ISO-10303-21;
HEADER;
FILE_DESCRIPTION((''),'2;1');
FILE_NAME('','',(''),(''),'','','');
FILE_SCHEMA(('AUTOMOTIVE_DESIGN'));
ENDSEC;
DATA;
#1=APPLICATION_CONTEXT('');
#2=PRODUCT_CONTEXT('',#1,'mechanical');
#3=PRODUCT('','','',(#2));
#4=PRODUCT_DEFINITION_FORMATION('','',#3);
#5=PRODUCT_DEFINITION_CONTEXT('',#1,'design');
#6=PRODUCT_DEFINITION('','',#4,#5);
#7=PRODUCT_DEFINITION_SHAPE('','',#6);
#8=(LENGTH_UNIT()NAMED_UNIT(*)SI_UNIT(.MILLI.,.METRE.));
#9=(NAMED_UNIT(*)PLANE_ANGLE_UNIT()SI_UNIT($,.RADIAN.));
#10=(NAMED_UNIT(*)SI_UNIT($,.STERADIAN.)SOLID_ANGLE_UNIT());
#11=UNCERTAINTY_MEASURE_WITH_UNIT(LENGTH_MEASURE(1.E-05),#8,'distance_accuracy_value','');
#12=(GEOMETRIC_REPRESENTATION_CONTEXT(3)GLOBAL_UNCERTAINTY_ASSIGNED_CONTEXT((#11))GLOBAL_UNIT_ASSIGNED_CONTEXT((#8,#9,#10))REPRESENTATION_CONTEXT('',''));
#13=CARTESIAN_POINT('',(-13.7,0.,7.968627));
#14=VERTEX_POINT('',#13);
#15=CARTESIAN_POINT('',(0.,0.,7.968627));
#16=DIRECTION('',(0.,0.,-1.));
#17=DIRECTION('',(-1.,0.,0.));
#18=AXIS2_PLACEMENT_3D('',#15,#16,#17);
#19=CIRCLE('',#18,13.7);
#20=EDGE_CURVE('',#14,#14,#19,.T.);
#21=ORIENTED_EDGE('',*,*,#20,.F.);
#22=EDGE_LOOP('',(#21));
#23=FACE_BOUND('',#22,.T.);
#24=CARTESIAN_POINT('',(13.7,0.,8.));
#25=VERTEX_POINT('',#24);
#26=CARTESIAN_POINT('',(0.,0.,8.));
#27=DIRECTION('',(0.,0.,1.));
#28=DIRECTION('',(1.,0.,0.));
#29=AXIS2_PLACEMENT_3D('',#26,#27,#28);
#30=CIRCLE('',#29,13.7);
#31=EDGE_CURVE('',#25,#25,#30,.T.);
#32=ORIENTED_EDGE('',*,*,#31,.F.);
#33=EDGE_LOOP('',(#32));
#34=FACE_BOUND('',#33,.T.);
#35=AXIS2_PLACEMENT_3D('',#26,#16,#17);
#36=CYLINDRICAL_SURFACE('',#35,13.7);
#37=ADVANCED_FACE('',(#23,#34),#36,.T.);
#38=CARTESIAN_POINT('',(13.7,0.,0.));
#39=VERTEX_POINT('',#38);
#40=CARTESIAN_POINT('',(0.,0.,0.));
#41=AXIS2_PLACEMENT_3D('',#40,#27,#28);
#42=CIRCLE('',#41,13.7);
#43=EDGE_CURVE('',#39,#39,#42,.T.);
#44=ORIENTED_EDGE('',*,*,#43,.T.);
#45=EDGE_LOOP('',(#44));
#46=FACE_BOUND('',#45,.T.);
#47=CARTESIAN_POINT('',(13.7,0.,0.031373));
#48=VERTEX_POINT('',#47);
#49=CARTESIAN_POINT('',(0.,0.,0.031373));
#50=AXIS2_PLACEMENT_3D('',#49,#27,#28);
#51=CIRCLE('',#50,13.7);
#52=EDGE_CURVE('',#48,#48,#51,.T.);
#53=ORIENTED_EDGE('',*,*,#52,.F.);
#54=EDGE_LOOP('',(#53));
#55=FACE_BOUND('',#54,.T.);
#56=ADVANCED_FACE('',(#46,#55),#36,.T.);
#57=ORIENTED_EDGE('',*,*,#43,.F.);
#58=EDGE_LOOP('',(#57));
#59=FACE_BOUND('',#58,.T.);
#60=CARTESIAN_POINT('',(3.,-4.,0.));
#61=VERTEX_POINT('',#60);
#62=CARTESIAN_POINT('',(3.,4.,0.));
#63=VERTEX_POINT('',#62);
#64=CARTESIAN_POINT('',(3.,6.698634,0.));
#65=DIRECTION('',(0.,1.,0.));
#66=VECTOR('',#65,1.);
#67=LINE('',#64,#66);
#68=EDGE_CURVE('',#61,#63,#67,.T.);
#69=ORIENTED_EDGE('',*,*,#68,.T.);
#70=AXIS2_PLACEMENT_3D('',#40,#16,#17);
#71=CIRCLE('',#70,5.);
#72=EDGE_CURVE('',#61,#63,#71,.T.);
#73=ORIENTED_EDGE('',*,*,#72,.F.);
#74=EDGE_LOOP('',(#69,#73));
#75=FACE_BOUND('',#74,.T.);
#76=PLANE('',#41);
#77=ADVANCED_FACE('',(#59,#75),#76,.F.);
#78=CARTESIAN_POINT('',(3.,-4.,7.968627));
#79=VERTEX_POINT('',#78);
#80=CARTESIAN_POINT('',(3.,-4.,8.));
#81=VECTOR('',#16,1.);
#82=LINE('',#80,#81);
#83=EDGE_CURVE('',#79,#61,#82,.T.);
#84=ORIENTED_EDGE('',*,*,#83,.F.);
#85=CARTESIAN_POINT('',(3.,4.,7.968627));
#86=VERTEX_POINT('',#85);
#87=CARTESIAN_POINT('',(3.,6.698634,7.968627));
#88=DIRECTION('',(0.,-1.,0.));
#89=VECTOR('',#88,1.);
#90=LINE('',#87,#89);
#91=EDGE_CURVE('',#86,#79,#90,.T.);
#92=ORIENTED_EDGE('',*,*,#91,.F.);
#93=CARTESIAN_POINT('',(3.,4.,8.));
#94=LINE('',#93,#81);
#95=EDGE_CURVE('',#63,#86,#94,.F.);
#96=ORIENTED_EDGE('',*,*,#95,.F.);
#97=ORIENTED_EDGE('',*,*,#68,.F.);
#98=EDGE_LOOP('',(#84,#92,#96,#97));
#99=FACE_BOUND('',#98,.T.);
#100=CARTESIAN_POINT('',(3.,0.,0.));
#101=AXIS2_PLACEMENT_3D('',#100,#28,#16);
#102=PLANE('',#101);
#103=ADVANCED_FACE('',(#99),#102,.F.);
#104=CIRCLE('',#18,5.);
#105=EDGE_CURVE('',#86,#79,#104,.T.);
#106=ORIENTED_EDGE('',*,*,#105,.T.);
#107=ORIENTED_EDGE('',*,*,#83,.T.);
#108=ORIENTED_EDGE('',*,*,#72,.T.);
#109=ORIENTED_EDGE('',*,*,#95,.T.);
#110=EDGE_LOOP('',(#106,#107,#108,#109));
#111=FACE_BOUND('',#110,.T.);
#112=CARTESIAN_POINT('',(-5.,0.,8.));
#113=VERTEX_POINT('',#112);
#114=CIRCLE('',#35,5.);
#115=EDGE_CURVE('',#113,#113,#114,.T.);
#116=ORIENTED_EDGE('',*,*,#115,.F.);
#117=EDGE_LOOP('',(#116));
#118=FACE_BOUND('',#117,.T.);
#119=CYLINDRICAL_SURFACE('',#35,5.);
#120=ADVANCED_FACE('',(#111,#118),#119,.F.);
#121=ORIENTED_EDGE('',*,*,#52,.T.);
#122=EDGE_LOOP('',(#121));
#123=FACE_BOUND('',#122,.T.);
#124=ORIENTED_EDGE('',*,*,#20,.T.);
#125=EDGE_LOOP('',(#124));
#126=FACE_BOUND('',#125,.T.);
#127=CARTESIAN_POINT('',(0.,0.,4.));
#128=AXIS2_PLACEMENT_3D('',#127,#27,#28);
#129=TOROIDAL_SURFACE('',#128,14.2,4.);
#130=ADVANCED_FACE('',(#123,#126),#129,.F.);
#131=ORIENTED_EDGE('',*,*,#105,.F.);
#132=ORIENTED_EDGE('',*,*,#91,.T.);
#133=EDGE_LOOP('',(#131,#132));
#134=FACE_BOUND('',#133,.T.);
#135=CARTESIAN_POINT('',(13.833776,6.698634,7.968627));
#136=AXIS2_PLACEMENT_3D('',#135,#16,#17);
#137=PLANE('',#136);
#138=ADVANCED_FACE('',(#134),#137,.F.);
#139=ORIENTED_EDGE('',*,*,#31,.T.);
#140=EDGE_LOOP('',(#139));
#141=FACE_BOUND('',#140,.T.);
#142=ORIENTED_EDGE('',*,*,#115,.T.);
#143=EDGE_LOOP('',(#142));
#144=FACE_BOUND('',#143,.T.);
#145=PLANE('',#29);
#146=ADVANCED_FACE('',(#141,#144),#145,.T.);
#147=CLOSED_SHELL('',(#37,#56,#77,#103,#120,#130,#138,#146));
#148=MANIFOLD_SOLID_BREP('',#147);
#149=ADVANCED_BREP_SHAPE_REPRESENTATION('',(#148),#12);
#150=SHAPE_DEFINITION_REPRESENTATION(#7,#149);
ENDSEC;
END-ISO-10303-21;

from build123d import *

# Parameters (mm, degrees)
SKETCH_1_R          = 13.7
EXTRUDE_1_DEPTH     = 8
SKETCH_4_R          = 5
CUT_EXTRUDE_1_DEPTH = 21.961393083
EXTRUDE_2_REACH     = 25.034
SKETCH_5_W          = 7.968626967
SKETCH_5_H          = 13.552288672


with BuildPart() as part:
    # 스케치1 → 보스-돌출1 (new body)
    with BuildSketch(Plane.XY):
        Circle(SKETCH_1_R)
    extrude(amount=EXTRUDE_1_DEPTH)

    # 스케치2 → 컷-회전1 (revolve, cut)
    with BuildSketch(Plane(origin=(0, 0, 0), x_dir=(1, 0, 0), z_dir=(0, 1, 0)), mode=Mode.PRIVATE) as cut_revolve_1_sk:
        with BuildLine():
            Line((-14.7, 0), (-14.7, -8))
            Line((-14.7, -8), (-14.2, -8))
            ThreePointArc((-14.2, -8), (-10.2, -4), (-14.2, 0))
            Line((-14.2, 0), (-14.7, 0))
        make_face()
    revolve(cut_revolve_1_sk.sketch.rotate(Axis((0, 0, 12.586575048), (0, 0, -1)), 180), axis=Axis((0, 0, 12.586575048), (0, 0, -1)), mode=Mode.SUBTRACT)

    # 스케치4 → 컷-돌출1 (cut, through all)
    with BuildSketch(Plane(origin=(0, 0, 0), x_dir=(-1, 0, 0), z_dir=(0, 0, -1))):
        Circle(SKETCH_4_R)
    extrude(amount=-CUT_EXTRUDE_1_DEPTH, mode=Mode.SUBTRACT)

    # 스케치5 → 보스-돌출2 (add, up to next)
    with BuildSketch(Plane(origin=(3, 0, 0), x_dir=(0, 0, -1), z_dir=(1, 0, 0)), mode=Mode.PRIVATE) as extrude_2_sk1:
        with Locations((-3.984313484, -0.077510512)):
            Rectangle(SKETCH_5_W, SKETCH_5_H)
    extrude_2_tool1 = extrude(extrude_2_sk1.sketch, amount=EXTRUDE_2_REACH, mode=Mode.PRIVATE) - part.part
    add(extrude_2_tool1.solids().sort_by_distance((3, -0.077511, 3.984313))[0])


solid = part.part
